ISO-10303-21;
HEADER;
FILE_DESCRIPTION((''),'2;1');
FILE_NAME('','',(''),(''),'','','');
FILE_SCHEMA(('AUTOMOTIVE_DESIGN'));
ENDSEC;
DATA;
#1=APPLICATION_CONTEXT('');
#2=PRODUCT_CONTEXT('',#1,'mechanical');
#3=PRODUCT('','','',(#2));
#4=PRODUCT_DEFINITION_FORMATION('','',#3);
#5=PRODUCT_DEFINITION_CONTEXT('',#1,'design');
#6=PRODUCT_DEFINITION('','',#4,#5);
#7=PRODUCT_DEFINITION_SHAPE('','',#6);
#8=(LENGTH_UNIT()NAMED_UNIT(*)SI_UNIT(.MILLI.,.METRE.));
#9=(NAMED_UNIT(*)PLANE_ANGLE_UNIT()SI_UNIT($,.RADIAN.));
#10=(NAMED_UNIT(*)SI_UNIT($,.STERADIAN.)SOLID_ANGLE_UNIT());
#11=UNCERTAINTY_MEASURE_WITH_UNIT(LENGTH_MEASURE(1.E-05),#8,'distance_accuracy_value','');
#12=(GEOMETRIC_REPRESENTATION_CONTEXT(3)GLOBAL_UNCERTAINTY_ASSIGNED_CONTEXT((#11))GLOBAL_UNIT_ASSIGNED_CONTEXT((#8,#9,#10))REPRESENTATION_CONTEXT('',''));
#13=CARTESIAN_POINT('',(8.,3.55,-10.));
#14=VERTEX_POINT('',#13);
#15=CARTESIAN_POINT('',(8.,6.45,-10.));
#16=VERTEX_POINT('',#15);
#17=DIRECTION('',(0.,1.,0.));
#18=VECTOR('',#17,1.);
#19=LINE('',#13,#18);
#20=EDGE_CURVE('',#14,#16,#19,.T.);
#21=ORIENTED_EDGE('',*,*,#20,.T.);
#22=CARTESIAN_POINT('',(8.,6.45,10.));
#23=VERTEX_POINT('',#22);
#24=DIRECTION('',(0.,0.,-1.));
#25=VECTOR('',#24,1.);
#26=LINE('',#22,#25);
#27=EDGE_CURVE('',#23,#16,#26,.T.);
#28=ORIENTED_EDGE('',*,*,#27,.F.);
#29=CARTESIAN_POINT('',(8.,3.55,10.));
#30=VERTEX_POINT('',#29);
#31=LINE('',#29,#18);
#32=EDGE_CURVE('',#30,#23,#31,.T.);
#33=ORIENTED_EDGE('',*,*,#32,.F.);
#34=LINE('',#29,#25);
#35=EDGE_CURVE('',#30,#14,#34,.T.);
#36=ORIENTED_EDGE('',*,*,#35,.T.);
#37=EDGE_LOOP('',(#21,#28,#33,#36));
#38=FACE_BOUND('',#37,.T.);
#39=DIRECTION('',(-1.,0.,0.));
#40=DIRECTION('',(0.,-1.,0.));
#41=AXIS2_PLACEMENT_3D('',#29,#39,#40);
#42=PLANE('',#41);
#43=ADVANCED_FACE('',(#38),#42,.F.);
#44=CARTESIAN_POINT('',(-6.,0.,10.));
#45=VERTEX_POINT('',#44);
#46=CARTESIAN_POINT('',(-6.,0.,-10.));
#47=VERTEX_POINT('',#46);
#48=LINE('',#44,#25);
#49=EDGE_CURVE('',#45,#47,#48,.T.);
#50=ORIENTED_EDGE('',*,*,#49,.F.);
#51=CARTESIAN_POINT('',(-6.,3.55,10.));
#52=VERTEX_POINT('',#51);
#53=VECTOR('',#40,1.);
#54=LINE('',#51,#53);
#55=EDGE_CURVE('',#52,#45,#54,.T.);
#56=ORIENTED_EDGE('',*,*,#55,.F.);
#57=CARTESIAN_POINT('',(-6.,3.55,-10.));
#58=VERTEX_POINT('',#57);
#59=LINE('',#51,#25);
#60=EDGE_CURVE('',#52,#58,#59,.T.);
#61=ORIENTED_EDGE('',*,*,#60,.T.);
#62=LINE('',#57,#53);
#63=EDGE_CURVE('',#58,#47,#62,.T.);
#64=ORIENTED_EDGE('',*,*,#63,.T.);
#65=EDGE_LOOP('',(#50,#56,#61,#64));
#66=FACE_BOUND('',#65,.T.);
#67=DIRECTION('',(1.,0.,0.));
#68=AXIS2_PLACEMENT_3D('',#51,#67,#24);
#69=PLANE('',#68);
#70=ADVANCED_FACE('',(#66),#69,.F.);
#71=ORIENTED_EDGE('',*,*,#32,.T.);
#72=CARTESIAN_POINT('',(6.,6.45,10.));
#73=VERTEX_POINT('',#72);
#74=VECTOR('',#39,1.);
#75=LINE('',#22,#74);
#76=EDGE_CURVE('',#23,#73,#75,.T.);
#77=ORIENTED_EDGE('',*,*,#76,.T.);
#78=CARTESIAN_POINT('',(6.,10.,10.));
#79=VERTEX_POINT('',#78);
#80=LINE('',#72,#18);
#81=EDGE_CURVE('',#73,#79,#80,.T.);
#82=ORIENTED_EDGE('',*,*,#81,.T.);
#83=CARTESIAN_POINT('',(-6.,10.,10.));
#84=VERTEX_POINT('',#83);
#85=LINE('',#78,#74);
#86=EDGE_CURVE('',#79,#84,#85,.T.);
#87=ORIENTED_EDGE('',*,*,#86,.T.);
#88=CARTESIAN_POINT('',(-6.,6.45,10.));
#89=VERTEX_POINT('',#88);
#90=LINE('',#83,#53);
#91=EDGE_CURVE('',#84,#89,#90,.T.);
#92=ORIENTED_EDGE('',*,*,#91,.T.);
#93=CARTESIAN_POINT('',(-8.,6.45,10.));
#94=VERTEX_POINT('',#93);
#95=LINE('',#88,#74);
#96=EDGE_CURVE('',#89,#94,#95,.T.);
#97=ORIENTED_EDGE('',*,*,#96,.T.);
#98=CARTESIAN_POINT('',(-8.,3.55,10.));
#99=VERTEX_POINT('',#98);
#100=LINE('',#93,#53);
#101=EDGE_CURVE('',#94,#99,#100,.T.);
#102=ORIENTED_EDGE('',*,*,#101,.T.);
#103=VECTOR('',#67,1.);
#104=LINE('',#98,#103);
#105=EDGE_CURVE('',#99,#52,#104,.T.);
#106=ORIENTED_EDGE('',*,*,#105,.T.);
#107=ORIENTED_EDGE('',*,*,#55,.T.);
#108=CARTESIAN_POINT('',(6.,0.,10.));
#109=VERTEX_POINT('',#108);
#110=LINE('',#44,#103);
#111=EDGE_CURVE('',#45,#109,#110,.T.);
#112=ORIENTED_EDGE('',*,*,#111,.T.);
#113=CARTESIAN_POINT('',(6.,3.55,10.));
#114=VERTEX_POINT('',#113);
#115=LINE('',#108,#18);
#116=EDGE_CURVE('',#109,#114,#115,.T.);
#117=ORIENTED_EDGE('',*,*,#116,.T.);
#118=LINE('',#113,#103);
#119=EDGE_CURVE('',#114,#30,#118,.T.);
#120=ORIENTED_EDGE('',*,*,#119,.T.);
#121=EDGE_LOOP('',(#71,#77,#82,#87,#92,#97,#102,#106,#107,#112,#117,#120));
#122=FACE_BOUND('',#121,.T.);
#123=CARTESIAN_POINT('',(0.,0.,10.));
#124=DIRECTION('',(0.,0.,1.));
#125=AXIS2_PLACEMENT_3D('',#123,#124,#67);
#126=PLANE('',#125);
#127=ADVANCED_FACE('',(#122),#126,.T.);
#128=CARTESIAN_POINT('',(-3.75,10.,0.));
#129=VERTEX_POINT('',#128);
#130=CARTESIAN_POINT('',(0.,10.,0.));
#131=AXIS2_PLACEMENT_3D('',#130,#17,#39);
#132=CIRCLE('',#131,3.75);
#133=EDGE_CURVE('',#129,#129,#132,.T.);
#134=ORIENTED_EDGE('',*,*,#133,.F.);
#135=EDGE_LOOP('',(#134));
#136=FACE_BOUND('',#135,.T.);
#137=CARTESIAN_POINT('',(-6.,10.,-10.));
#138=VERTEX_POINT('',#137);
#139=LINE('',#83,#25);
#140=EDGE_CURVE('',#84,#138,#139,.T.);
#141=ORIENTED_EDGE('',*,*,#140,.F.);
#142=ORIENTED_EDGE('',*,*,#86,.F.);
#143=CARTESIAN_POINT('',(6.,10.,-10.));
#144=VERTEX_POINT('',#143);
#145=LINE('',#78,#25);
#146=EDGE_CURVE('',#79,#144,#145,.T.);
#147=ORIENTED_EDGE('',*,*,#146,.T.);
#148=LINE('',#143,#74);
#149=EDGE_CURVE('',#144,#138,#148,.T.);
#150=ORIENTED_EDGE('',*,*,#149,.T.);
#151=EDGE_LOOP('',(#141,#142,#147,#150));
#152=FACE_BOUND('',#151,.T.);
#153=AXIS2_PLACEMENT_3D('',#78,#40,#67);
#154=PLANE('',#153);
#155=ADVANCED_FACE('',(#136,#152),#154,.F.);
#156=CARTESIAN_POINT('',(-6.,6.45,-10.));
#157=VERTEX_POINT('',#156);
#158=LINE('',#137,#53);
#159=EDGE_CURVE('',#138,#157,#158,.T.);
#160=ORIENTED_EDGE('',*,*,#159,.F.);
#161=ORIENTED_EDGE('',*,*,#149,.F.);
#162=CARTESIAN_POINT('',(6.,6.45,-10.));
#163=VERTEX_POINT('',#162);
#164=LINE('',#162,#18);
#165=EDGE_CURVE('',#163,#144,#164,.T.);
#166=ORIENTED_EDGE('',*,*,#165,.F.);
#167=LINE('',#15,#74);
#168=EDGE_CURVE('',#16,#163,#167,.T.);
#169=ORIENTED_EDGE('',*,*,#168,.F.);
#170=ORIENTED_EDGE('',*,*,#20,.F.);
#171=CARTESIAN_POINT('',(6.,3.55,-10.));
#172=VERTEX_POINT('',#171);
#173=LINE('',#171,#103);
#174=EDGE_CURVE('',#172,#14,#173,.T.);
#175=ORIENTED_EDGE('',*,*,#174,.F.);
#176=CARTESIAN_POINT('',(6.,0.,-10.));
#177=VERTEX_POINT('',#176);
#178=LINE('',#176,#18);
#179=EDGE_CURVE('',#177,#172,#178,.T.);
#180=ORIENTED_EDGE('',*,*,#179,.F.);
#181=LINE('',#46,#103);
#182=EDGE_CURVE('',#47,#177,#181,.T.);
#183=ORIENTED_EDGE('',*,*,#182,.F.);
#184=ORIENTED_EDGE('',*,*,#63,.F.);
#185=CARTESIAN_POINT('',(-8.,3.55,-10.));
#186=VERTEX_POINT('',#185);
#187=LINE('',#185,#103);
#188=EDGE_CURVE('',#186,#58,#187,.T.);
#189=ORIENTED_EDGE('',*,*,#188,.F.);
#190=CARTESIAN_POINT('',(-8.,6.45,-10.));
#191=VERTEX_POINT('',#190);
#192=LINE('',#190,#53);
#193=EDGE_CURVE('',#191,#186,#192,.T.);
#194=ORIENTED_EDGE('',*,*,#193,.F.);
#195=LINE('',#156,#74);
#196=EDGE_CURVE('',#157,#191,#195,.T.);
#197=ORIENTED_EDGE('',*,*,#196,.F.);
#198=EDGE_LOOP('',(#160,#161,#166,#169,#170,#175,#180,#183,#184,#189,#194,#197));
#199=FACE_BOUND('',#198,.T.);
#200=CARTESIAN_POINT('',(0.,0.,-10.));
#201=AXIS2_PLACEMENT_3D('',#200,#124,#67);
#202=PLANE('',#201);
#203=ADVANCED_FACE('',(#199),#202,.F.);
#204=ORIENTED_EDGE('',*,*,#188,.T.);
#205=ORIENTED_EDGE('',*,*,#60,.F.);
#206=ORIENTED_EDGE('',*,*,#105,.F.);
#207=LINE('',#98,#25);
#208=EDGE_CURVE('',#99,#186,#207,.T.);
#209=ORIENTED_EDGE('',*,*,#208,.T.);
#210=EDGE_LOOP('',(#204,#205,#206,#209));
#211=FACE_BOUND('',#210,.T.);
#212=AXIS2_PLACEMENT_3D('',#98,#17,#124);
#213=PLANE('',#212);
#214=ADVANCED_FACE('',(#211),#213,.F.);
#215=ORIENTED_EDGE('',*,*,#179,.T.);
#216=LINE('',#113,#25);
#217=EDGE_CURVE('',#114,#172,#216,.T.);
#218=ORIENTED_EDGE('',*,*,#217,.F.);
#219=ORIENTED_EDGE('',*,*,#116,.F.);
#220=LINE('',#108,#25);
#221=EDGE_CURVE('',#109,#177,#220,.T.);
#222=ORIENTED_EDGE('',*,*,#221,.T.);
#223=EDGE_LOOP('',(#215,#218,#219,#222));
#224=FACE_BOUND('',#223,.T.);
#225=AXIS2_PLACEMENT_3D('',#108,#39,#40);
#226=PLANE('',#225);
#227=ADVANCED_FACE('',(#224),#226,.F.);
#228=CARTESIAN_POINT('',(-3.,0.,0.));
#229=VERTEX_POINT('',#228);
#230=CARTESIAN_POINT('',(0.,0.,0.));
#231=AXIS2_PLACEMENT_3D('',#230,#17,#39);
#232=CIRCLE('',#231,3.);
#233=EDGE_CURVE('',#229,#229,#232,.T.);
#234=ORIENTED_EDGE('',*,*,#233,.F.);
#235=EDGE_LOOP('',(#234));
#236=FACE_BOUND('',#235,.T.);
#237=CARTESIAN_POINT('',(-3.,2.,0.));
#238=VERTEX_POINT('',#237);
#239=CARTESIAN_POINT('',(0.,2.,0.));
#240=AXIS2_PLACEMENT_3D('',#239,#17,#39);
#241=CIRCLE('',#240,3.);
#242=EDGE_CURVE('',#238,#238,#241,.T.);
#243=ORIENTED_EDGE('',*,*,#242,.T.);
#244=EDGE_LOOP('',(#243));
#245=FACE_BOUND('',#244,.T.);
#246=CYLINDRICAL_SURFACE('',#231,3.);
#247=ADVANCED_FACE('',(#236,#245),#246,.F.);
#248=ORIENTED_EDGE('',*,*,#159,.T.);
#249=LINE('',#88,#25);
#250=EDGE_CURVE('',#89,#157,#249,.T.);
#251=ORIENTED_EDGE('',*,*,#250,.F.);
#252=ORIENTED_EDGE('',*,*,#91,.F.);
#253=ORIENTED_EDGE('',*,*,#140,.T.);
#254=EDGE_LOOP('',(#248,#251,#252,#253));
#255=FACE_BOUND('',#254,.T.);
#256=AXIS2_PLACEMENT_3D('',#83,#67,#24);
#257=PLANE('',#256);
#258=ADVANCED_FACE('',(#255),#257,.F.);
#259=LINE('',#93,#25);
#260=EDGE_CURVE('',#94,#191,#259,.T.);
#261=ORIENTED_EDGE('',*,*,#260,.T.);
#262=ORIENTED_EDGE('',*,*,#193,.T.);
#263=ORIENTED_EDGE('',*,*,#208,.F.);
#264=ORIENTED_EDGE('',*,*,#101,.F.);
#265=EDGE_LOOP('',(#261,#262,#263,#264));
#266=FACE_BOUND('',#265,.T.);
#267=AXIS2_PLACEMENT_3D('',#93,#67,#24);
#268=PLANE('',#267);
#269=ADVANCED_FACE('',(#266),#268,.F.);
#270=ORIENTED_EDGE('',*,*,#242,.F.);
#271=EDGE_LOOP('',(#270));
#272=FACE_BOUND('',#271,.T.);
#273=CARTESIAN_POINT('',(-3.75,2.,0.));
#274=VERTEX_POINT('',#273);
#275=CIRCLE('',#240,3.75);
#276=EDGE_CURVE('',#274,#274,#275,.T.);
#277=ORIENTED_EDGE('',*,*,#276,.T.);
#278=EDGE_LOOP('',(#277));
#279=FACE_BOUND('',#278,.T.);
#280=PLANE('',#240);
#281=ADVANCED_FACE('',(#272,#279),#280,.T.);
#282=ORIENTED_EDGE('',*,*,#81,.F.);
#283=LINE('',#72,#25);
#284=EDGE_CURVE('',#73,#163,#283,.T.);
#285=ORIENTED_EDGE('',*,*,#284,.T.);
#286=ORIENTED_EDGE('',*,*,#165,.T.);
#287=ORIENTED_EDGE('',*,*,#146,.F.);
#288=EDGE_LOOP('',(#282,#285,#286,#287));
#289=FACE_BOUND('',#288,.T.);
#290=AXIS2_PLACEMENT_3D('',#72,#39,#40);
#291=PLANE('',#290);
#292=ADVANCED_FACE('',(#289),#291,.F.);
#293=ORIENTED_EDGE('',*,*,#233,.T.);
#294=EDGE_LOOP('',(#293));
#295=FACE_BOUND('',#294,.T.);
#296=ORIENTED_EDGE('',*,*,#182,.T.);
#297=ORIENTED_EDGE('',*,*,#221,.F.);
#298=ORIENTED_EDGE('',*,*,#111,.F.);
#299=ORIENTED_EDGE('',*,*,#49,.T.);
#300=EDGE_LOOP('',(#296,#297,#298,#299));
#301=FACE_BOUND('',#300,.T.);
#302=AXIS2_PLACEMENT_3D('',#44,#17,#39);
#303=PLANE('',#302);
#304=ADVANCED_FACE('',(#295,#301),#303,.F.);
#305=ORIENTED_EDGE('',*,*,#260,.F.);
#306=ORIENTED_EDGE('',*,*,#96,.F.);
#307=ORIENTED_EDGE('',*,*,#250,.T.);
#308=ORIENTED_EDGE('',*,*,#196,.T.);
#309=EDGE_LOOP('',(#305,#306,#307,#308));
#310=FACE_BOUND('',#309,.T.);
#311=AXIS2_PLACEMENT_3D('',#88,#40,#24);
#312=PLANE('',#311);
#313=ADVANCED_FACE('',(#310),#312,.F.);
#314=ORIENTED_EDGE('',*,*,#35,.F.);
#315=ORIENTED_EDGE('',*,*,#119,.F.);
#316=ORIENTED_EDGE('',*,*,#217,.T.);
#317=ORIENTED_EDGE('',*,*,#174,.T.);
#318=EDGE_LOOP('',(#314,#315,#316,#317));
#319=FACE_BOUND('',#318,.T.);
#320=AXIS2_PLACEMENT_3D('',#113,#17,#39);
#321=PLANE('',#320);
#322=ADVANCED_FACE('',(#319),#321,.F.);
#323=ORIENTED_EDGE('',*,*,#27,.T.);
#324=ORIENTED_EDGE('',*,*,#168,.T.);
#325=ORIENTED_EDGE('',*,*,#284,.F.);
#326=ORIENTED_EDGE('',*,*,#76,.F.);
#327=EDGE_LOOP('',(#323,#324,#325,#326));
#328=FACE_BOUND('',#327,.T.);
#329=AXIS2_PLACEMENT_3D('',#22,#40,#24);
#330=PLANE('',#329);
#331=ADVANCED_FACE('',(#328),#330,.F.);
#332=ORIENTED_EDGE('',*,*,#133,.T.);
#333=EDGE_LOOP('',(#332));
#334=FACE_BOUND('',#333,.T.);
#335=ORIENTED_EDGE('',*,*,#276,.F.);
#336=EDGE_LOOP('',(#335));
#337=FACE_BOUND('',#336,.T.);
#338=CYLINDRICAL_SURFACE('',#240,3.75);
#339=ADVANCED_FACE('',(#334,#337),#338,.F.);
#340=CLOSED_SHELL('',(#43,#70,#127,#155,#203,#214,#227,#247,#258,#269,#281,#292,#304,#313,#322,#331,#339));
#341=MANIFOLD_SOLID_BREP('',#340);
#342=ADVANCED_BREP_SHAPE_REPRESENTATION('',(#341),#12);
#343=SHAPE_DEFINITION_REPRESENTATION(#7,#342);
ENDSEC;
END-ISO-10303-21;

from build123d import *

# Parameters (mm, degrees)
BOSS_EXTRUDE1_DEPTH = 10
SKETCH2_R           = 3.75
CUT_EXTRUDE1_DEPTH  = 8
SKETCH3_R           = 3
CUT_EXTRUDE2_DEPTH  = 3


with BuildPart() as part:
    # Sketch1 → Boss-Extrude1 (new body, symmetric)
    with BuildSketch(Plane.XY):
        Polygon((-6, 10), (-6, 6.45), (-8, 6.45), (-8, 3.55), (-6, 3.55), (-6, 0), (6, 0), (6, 3.55), (8, 3.55), (8, 6.45), (6, 6.45), (6, 10), align=None)
    extrude(amount=BOSS_EXTRUDE1_DEPTH, both=True)

    # Sketch2 → Cut-Extrude1 (cut)
    with BuildSketch(Plane(origin=(0, 10, 0), x_dir=(1, 0, 0), z_dir=(0, 1, 0))):
        Circle(SKETCH2_R)
    extrude(amount=-CUT_EXTRUDE1_DEPTH, mode=Mode.SUBTRACT)

    # Sketch3 → Cut-Extrude2 (cut, through all)
    with BuildSketch(Plane(origin=(0, 2, 0), x_dir=(1, 0, 0), z_dir=(0, 1, 0))):
        Circle(SKETCH3_R)
    extrude(amount=-CUT_EXTRUDE2_DEPTH, mode=Mode.SUBTRACT)


solid = part.part
